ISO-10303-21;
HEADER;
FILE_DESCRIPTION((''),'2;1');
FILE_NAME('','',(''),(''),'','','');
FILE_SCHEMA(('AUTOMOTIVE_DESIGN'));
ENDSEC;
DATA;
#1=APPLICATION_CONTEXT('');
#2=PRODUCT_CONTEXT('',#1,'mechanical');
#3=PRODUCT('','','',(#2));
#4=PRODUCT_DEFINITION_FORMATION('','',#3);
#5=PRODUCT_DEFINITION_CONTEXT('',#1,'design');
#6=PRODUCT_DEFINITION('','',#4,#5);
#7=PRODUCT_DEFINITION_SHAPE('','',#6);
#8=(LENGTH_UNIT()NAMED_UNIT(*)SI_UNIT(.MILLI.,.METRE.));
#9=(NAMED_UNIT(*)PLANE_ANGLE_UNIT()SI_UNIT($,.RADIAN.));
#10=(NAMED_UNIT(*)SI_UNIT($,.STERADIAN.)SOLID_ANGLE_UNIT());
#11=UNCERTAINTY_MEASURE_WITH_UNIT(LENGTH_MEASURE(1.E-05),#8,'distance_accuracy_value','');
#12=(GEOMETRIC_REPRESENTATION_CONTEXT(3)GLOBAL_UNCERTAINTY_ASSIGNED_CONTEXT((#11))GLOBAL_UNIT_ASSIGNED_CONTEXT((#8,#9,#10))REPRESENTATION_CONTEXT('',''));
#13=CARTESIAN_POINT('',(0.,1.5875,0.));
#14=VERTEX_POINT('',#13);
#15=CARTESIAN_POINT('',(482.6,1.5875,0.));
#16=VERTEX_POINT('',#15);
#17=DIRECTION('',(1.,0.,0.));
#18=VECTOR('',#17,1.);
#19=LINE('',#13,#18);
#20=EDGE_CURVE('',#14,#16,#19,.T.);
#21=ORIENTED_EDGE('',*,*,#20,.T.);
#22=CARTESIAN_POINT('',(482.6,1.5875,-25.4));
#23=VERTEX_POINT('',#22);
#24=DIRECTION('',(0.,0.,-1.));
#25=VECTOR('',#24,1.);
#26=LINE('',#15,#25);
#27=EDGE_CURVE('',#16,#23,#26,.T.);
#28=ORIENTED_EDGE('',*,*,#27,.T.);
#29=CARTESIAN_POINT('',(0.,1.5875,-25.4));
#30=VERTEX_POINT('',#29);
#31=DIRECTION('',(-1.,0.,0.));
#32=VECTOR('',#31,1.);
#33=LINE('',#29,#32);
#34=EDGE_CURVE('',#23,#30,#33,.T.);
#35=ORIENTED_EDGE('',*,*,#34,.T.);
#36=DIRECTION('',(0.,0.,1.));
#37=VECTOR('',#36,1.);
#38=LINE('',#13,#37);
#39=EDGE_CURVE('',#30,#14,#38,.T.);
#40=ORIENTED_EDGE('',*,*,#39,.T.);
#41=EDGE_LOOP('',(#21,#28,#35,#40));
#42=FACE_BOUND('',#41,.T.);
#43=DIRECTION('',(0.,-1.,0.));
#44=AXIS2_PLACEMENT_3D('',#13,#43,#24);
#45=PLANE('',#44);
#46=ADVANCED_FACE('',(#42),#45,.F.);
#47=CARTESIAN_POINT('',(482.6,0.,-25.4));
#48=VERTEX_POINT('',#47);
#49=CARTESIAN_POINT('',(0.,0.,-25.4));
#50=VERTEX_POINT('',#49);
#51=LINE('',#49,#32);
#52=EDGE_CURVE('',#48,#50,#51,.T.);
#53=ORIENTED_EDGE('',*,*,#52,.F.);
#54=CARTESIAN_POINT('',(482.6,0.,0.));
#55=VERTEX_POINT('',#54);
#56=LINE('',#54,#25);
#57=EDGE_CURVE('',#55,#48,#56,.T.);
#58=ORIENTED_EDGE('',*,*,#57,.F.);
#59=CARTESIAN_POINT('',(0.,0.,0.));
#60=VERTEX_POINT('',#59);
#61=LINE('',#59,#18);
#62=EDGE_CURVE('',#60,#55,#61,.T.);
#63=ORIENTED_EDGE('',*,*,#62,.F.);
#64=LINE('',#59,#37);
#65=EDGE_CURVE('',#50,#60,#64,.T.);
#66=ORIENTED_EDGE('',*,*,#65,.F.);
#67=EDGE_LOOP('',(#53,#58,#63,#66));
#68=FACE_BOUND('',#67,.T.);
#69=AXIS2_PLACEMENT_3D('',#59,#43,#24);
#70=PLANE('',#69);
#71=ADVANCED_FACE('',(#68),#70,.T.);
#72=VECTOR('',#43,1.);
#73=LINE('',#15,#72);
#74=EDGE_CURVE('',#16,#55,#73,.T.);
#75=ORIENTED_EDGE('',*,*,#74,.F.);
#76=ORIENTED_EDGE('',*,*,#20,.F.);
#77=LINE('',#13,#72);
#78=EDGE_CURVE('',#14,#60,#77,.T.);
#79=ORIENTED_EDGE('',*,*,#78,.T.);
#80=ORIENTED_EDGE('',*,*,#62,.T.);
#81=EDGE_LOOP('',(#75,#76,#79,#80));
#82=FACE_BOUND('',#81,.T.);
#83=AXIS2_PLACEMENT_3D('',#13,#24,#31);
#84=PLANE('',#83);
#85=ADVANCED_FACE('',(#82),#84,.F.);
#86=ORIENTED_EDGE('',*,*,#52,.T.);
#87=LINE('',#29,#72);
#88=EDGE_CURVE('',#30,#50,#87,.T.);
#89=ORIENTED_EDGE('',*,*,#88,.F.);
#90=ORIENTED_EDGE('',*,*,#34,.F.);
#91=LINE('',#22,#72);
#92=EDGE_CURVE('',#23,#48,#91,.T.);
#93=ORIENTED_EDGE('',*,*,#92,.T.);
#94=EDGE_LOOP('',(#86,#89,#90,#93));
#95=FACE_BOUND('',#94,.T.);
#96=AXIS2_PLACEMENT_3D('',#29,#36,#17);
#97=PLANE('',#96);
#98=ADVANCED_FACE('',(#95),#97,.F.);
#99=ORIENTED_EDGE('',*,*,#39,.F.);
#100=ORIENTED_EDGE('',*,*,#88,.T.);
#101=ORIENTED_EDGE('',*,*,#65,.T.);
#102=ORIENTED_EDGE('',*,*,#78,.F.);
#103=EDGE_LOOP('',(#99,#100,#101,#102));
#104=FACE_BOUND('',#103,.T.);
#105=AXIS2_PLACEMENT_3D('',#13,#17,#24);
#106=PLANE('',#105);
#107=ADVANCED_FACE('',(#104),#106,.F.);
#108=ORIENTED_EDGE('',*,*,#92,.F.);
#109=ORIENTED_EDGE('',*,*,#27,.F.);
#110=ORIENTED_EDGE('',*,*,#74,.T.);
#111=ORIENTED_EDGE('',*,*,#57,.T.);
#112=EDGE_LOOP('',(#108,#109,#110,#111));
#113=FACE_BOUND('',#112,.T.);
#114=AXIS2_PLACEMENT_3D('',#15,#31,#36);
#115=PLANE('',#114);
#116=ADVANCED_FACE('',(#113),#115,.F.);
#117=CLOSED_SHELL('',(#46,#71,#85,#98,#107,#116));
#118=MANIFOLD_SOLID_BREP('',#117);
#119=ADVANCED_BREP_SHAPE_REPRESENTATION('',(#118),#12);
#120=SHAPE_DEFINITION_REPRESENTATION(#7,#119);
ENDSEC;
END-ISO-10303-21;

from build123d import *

# Parameters (mm, degrees)
SKETCH1_W           = 482.6
SKETCH1_H           = 25.4
BOSS_EXTRUDE1_DEPTH = 1.5875


with BuildPart() as part:
    # Sketch1 → Boss-Extrude1 (new body)
    with BuildSketch(Plane(origin=(0, 0, 0), x_dir=(1, 0, 0), z_dir=(0, 1, 0))):
        with Locations((241.3, 12.7)):
            Rectangle(SKETCH1_W, SKETCH1_H)
    extrude(amount=BOSS_EXTRUDE1_DEPTH)


solid = part.part
